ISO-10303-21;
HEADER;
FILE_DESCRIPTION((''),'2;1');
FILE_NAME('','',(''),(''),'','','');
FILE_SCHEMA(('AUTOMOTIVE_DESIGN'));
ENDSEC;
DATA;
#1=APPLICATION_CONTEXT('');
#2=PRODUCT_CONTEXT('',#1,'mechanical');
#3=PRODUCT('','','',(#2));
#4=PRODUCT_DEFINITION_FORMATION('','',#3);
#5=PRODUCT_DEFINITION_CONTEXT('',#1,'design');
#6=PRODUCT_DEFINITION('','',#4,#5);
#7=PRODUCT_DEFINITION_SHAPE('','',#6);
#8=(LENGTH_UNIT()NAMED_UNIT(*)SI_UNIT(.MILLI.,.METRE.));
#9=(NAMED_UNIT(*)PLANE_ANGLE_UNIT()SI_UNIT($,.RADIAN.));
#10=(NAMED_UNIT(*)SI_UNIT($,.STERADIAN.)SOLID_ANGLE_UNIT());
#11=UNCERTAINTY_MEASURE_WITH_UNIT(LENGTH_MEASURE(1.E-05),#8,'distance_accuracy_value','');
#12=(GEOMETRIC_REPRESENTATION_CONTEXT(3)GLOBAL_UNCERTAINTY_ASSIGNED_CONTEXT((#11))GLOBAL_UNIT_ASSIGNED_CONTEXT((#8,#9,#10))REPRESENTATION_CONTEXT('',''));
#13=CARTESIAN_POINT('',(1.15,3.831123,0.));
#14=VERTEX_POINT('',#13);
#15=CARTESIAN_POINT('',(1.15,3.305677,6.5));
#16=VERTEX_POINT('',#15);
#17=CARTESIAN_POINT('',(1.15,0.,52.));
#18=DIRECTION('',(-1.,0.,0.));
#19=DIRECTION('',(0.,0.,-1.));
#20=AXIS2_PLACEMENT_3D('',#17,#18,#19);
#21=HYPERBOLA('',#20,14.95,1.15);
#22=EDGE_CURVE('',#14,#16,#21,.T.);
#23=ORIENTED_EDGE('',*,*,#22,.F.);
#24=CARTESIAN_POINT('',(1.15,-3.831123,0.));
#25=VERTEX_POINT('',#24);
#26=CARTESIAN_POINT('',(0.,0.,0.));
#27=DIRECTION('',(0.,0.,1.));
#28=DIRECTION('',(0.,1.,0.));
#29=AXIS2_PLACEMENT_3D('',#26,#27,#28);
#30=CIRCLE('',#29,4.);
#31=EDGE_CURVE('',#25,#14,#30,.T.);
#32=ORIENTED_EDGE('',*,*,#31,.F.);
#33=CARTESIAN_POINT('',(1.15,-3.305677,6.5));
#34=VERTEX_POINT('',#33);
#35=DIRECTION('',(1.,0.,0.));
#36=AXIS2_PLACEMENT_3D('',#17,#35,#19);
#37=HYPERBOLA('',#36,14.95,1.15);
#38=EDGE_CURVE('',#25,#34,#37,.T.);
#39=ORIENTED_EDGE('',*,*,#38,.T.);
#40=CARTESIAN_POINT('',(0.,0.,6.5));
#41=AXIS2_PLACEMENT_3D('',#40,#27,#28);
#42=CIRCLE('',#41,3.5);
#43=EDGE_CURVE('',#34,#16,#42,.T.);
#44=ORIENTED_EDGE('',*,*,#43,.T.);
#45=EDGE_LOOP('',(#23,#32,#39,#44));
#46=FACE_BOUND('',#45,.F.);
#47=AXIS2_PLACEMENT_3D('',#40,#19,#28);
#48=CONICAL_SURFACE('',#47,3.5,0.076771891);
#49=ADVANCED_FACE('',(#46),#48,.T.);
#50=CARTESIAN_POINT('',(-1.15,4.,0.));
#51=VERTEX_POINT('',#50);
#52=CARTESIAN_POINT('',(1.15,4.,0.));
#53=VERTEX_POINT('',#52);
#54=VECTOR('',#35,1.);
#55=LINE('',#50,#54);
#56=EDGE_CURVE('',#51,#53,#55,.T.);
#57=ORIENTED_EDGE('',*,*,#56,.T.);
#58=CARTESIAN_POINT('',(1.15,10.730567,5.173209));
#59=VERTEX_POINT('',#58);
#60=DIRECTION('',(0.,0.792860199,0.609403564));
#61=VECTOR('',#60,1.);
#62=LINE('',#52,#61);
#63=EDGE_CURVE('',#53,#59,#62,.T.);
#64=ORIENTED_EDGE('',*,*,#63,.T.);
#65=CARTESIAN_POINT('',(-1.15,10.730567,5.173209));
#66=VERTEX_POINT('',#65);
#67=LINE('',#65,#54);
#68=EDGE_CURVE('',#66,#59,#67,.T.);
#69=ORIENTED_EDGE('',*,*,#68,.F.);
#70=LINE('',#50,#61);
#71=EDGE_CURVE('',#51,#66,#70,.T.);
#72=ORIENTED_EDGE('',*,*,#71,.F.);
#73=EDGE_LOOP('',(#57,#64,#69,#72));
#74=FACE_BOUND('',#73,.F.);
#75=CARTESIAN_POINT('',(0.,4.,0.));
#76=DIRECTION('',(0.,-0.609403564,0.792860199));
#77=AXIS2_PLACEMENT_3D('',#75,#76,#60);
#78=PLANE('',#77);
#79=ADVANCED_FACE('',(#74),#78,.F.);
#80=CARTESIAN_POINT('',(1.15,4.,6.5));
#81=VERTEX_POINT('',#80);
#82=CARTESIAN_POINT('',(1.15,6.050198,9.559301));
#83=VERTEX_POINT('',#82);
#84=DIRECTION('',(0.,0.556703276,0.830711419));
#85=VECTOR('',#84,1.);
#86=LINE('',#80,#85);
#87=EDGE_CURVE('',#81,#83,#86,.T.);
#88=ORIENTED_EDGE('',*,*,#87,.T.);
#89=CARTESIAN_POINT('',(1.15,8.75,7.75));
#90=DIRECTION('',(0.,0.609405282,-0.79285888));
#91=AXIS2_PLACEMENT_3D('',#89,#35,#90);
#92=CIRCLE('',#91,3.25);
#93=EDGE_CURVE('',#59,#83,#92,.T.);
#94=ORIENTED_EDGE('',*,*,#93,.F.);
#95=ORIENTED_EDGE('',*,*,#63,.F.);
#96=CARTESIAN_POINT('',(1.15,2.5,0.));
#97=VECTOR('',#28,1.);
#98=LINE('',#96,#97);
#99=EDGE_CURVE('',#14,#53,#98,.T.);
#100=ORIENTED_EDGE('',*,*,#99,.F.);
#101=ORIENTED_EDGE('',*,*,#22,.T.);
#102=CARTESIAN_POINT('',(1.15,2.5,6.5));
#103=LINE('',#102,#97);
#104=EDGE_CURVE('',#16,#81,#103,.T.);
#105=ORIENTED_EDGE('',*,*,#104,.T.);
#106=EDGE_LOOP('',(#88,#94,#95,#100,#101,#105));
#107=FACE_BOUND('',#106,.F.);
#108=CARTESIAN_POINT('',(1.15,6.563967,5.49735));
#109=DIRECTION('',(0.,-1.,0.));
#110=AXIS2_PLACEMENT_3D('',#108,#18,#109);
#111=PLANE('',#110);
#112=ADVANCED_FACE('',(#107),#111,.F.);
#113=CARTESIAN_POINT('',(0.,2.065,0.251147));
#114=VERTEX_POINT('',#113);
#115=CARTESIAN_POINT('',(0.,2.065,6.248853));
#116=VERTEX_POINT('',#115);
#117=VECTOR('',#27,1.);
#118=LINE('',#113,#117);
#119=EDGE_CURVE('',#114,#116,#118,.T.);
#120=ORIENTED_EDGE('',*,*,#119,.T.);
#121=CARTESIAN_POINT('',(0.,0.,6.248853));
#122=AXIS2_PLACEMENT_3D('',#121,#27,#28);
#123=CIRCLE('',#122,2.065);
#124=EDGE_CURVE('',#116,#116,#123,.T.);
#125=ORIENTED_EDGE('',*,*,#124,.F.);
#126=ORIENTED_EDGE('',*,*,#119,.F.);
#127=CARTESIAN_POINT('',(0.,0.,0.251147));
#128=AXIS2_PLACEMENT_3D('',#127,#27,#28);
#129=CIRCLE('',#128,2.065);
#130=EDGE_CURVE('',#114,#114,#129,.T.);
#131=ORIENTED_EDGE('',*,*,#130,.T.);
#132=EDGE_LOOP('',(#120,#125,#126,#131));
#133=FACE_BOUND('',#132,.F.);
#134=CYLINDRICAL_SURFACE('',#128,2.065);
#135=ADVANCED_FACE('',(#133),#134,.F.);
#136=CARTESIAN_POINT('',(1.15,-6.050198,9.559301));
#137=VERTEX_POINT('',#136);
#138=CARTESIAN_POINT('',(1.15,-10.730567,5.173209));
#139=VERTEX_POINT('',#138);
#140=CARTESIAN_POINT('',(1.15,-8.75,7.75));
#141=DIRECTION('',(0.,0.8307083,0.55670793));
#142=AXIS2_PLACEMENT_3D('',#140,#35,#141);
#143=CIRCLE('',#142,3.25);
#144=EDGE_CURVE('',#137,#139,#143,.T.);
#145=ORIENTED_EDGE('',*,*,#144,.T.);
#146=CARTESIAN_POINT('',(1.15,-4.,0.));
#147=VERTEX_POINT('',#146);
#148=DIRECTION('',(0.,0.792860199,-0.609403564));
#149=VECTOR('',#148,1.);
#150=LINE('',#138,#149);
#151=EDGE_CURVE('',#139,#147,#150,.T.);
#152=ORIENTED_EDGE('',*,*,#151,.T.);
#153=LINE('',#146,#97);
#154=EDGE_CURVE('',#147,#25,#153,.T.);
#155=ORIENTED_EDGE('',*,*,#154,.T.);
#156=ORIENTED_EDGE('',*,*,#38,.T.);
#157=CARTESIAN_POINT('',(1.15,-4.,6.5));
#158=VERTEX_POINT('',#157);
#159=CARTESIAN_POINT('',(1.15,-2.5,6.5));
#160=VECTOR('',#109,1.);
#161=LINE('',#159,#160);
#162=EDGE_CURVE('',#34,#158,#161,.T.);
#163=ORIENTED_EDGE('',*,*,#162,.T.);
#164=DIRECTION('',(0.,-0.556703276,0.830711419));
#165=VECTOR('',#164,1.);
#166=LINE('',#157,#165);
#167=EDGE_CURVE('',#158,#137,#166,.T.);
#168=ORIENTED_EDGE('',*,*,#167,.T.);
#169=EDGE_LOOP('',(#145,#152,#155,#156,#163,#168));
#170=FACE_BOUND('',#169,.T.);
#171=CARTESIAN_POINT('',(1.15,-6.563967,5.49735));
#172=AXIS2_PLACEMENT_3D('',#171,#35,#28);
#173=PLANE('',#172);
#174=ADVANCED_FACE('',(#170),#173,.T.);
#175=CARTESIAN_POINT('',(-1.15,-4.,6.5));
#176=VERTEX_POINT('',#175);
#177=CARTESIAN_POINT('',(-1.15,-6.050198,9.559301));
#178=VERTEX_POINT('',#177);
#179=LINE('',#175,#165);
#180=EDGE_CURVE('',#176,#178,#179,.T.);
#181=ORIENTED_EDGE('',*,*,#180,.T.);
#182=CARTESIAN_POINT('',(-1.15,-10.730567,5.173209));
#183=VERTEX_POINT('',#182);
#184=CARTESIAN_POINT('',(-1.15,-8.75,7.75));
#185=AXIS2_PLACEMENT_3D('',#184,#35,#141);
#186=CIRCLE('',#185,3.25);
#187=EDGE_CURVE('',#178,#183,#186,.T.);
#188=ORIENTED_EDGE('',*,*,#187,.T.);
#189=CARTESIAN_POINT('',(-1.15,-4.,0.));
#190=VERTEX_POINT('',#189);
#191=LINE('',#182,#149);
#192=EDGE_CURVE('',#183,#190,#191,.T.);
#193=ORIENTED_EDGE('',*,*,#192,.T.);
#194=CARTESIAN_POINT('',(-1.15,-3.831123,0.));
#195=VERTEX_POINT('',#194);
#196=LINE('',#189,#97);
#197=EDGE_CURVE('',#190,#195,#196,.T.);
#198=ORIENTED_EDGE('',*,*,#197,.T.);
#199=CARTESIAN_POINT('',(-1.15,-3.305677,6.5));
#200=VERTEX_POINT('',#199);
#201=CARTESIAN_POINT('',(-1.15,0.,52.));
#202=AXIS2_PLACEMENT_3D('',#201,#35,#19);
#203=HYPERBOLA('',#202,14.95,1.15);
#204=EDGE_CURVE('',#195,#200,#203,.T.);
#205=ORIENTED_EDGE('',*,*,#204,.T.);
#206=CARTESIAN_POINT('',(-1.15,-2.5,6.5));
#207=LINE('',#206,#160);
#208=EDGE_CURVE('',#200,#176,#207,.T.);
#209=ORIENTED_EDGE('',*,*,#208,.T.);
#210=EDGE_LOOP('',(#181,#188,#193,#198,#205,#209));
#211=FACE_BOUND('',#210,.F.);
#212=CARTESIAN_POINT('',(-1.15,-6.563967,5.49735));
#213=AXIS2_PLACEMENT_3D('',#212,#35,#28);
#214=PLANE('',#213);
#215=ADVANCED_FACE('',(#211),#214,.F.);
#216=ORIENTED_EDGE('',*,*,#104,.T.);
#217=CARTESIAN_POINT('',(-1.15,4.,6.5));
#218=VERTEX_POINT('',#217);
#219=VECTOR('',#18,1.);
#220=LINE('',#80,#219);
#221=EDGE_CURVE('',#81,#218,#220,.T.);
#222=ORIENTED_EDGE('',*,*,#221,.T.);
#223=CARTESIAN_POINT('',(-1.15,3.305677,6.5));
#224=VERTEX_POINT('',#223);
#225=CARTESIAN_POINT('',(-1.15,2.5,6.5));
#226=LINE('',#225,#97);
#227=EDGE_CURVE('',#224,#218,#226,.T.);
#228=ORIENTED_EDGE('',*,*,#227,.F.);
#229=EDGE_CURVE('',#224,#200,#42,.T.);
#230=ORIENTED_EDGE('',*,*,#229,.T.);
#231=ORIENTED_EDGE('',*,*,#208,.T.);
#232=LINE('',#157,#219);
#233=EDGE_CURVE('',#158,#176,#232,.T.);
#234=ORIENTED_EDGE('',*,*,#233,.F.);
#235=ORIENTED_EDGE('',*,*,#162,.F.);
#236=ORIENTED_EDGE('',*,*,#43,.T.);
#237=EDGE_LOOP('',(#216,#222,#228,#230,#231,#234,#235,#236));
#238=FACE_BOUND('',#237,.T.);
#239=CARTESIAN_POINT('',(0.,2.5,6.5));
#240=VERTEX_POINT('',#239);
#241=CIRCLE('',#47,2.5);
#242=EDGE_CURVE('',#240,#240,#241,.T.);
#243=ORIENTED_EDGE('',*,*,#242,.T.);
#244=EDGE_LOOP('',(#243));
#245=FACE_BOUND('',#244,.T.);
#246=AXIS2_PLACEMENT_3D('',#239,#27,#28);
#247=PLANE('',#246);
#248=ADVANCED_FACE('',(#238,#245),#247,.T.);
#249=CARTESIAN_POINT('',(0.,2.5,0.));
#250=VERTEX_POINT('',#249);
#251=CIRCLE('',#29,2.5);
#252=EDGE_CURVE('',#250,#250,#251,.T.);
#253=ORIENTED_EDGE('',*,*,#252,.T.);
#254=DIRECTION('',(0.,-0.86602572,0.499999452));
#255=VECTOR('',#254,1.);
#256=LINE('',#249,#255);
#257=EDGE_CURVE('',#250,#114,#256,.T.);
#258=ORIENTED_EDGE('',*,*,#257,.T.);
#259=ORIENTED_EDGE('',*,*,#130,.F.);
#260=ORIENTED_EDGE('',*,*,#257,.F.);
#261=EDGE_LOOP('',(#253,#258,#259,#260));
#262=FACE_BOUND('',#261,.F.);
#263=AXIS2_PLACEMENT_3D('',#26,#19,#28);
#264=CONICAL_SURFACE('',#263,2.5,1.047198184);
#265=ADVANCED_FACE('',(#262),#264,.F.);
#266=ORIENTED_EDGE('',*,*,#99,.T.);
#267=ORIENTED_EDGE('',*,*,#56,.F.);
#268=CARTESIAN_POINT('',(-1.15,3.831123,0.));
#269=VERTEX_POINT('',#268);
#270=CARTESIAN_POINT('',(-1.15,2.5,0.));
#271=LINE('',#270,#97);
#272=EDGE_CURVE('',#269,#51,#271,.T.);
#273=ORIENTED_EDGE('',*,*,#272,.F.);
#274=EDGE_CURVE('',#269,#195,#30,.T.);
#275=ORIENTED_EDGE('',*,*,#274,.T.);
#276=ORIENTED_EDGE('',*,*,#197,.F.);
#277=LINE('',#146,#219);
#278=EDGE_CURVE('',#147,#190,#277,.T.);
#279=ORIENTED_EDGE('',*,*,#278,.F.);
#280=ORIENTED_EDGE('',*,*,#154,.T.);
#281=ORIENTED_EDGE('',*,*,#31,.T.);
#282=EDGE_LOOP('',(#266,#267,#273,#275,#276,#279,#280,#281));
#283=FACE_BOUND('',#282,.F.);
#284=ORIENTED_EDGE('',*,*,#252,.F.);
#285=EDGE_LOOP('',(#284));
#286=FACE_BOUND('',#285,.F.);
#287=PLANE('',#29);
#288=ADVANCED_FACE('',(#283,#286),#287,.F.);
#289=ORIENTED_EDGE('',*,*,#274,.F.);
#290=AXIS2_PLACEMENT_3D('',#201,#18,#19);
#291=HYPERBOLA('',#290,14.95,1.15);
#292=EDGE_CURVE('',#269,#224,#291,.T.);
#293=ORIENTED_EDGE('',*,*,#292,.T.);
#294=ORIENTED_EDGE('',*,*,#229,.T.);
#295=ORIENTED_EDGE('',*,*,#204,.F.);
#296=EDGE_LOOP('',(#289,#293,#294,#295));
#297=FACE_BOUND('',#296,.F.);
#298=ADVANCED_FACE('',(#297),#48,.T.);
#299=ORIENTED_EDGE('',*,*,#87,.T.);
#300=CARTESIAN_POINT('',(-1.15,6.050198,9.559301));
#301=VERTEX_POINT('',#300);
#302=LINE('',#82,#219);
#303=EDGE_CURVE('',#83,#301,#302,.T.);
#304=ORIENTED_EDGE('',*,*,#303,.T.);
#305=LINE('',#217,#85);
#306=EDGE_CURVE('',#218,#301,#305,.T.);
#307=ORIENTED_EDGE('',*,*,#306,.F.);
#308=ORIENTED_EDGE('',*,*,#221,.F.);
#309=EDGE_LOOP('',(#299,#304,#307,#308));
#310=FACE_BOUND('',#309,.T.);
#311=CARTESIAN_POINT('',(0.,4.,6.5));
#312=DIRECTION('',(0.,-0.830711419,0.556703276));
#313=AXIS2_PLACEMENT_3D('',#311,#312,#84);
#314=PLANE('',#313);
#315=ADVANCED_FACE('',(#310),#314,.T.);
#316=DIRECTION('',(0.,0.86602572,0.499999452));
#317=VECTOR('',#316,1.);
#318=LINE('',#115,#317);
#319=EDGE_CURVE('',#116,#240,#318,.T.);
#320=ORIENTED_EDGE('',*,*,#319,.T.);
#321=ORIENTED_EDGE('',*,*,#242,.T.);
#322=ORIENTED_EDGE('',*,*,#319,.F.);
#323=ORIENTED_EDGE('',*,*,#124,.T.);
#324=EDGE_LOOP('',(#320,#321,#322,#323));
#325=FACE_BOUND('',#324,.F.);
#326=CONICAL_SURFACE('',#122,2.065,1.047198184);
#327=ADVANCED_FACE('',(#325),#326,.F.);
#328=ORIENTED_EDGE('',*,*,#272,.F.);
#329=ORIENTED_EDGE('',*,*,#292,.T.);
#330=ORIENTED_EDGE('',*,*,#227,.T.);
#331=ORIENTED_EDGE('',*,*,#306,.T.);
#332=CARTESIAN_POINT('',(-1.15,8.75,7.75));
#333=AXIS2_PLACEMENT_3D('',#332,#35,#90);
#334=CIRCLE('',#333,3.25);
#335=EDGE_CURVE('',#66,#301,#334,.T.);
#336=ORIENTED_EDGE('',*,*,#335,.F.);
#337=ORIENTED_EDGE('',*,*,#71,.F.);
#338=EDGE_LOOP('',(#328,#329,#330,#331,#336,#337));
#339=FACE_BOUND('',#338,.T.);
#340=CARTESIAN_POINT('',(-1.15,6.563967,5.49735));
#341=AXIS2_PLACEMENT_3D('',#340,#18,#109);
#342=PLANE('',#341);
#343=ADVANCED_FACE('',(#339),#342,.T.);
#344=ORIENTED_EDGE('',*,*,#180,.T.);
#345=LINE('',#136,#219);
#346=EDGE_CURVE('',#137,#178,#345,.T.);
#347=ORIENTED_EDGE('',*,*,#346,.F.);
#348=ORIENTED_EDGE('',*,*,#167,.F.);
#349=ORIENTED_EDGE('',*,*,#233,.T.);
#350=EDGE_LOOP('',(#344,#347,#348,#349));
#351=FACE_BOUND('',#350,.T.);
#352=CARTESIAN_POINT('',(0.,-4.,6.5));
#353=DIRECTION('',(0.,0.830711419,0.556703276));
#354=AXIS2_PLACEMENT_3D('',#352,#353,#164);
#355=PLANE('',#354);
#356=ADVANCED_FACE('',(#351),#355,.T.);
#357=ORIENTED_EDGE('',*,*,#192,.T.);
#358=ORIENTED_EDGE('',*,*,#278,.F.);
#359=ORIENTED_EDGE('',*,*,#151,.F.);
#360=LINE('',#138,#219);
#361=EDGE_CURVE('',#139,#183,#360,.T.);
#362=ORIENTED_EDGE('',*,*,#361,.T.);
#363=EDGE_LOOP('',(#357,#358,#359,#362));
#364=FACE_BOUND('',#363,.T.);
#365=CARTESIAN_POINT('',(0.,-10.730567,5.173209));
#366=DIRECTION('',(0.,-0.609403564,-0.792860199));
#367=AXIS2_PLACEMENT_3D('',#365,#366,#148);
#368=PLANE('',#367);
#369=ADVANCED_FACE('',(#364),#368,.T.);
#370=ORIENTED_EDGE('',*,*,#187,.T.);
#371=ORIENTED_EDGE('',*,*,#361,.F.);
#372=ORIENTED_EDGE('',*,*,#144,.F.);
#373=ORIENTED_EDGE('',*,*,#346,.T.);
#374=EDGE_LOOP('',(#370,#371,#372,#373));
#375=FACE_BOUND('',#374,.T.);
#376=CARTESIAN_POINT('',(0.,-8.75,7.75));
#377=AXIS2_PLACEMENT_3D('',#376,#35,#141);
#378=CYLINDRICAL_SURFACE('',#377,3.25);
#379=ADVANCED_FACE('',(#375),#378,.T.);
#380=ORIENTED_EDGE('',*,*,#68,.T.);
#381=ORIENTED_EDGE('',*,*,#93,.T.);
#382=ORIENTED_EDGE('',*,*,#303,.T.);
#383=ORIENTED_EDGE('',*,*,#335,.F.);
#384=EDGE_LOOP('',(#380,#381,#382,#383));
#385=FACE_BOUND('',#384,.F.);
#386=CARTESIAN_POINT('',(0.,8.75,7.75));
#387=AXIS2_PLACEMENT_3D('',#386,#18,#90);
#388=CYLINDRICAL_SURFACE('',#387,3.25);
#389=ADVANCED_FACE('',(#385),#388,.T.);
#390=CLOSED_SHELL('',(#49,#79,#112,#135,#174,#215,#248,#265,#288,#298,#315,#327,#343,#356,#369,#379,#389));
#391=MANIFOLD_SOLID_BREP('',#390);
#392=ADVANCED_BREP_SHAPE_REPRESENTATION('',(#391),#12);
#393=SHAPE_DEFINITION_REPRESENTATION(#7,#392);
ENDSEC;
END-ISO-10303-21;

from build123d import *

# Parameters (mm, degrees)
PAD_DEPTH = 1.15


with BuildPart() as pad:
    # Sketch001 → Pad (new body, symmetric)
    with BuildSketch(Plane.YZ):
        with BuildLine():
            Line((2.5, 0), (2.5, 6.5))
            Line((2.5, 6.5), (4, 6.5))
            Line((4, 6.5), (6.050198, 9.559301))
            ThreePointArc((10.730567, 5.173209), (10.972336, 10.121439), (6.050198, 9.559301))
            Line((4, 0), (10.730567, 5.173209))
            Line((2.5, 0), (4, 0))
        make_face()
        with BuildLine():
            Line((-10.730567, 5.173209), (-4, 0))
            Line((-4, 0), (-2.5, 0))
            Line((-2.5, 0), (-2.5, 6.5))
            Line((-2.5, 6.5), (-4, 6.5))
            Line((-4, 6.5), (-6.050198, 9.559301))
            ThreePointArc((-6.050198, 9.559301), (-10.972336, 10.121439), (-10.730567, 5.173209))
        make_face()
    extrude(amount=PAD_DEPTH, both=True)


with BuildPart() as fl_gelmutter_din_315_m5:
    # Sketch → Revolution (revolve)
    with BuildSketch(Plane.YZ):
        Polygon((2.5, 0), (2.065, 0.251147), (2.065, 6.248853), (2.5, 6.5), (3.5, 6.5), (4, 0), align=None)
    revolve(axis=Axis((0, 0, 0), (0, 0, 1)))

    # Fusion: union Pad
    add(pad.part)


solid = fl_gelmutter_din_315_m5.part
